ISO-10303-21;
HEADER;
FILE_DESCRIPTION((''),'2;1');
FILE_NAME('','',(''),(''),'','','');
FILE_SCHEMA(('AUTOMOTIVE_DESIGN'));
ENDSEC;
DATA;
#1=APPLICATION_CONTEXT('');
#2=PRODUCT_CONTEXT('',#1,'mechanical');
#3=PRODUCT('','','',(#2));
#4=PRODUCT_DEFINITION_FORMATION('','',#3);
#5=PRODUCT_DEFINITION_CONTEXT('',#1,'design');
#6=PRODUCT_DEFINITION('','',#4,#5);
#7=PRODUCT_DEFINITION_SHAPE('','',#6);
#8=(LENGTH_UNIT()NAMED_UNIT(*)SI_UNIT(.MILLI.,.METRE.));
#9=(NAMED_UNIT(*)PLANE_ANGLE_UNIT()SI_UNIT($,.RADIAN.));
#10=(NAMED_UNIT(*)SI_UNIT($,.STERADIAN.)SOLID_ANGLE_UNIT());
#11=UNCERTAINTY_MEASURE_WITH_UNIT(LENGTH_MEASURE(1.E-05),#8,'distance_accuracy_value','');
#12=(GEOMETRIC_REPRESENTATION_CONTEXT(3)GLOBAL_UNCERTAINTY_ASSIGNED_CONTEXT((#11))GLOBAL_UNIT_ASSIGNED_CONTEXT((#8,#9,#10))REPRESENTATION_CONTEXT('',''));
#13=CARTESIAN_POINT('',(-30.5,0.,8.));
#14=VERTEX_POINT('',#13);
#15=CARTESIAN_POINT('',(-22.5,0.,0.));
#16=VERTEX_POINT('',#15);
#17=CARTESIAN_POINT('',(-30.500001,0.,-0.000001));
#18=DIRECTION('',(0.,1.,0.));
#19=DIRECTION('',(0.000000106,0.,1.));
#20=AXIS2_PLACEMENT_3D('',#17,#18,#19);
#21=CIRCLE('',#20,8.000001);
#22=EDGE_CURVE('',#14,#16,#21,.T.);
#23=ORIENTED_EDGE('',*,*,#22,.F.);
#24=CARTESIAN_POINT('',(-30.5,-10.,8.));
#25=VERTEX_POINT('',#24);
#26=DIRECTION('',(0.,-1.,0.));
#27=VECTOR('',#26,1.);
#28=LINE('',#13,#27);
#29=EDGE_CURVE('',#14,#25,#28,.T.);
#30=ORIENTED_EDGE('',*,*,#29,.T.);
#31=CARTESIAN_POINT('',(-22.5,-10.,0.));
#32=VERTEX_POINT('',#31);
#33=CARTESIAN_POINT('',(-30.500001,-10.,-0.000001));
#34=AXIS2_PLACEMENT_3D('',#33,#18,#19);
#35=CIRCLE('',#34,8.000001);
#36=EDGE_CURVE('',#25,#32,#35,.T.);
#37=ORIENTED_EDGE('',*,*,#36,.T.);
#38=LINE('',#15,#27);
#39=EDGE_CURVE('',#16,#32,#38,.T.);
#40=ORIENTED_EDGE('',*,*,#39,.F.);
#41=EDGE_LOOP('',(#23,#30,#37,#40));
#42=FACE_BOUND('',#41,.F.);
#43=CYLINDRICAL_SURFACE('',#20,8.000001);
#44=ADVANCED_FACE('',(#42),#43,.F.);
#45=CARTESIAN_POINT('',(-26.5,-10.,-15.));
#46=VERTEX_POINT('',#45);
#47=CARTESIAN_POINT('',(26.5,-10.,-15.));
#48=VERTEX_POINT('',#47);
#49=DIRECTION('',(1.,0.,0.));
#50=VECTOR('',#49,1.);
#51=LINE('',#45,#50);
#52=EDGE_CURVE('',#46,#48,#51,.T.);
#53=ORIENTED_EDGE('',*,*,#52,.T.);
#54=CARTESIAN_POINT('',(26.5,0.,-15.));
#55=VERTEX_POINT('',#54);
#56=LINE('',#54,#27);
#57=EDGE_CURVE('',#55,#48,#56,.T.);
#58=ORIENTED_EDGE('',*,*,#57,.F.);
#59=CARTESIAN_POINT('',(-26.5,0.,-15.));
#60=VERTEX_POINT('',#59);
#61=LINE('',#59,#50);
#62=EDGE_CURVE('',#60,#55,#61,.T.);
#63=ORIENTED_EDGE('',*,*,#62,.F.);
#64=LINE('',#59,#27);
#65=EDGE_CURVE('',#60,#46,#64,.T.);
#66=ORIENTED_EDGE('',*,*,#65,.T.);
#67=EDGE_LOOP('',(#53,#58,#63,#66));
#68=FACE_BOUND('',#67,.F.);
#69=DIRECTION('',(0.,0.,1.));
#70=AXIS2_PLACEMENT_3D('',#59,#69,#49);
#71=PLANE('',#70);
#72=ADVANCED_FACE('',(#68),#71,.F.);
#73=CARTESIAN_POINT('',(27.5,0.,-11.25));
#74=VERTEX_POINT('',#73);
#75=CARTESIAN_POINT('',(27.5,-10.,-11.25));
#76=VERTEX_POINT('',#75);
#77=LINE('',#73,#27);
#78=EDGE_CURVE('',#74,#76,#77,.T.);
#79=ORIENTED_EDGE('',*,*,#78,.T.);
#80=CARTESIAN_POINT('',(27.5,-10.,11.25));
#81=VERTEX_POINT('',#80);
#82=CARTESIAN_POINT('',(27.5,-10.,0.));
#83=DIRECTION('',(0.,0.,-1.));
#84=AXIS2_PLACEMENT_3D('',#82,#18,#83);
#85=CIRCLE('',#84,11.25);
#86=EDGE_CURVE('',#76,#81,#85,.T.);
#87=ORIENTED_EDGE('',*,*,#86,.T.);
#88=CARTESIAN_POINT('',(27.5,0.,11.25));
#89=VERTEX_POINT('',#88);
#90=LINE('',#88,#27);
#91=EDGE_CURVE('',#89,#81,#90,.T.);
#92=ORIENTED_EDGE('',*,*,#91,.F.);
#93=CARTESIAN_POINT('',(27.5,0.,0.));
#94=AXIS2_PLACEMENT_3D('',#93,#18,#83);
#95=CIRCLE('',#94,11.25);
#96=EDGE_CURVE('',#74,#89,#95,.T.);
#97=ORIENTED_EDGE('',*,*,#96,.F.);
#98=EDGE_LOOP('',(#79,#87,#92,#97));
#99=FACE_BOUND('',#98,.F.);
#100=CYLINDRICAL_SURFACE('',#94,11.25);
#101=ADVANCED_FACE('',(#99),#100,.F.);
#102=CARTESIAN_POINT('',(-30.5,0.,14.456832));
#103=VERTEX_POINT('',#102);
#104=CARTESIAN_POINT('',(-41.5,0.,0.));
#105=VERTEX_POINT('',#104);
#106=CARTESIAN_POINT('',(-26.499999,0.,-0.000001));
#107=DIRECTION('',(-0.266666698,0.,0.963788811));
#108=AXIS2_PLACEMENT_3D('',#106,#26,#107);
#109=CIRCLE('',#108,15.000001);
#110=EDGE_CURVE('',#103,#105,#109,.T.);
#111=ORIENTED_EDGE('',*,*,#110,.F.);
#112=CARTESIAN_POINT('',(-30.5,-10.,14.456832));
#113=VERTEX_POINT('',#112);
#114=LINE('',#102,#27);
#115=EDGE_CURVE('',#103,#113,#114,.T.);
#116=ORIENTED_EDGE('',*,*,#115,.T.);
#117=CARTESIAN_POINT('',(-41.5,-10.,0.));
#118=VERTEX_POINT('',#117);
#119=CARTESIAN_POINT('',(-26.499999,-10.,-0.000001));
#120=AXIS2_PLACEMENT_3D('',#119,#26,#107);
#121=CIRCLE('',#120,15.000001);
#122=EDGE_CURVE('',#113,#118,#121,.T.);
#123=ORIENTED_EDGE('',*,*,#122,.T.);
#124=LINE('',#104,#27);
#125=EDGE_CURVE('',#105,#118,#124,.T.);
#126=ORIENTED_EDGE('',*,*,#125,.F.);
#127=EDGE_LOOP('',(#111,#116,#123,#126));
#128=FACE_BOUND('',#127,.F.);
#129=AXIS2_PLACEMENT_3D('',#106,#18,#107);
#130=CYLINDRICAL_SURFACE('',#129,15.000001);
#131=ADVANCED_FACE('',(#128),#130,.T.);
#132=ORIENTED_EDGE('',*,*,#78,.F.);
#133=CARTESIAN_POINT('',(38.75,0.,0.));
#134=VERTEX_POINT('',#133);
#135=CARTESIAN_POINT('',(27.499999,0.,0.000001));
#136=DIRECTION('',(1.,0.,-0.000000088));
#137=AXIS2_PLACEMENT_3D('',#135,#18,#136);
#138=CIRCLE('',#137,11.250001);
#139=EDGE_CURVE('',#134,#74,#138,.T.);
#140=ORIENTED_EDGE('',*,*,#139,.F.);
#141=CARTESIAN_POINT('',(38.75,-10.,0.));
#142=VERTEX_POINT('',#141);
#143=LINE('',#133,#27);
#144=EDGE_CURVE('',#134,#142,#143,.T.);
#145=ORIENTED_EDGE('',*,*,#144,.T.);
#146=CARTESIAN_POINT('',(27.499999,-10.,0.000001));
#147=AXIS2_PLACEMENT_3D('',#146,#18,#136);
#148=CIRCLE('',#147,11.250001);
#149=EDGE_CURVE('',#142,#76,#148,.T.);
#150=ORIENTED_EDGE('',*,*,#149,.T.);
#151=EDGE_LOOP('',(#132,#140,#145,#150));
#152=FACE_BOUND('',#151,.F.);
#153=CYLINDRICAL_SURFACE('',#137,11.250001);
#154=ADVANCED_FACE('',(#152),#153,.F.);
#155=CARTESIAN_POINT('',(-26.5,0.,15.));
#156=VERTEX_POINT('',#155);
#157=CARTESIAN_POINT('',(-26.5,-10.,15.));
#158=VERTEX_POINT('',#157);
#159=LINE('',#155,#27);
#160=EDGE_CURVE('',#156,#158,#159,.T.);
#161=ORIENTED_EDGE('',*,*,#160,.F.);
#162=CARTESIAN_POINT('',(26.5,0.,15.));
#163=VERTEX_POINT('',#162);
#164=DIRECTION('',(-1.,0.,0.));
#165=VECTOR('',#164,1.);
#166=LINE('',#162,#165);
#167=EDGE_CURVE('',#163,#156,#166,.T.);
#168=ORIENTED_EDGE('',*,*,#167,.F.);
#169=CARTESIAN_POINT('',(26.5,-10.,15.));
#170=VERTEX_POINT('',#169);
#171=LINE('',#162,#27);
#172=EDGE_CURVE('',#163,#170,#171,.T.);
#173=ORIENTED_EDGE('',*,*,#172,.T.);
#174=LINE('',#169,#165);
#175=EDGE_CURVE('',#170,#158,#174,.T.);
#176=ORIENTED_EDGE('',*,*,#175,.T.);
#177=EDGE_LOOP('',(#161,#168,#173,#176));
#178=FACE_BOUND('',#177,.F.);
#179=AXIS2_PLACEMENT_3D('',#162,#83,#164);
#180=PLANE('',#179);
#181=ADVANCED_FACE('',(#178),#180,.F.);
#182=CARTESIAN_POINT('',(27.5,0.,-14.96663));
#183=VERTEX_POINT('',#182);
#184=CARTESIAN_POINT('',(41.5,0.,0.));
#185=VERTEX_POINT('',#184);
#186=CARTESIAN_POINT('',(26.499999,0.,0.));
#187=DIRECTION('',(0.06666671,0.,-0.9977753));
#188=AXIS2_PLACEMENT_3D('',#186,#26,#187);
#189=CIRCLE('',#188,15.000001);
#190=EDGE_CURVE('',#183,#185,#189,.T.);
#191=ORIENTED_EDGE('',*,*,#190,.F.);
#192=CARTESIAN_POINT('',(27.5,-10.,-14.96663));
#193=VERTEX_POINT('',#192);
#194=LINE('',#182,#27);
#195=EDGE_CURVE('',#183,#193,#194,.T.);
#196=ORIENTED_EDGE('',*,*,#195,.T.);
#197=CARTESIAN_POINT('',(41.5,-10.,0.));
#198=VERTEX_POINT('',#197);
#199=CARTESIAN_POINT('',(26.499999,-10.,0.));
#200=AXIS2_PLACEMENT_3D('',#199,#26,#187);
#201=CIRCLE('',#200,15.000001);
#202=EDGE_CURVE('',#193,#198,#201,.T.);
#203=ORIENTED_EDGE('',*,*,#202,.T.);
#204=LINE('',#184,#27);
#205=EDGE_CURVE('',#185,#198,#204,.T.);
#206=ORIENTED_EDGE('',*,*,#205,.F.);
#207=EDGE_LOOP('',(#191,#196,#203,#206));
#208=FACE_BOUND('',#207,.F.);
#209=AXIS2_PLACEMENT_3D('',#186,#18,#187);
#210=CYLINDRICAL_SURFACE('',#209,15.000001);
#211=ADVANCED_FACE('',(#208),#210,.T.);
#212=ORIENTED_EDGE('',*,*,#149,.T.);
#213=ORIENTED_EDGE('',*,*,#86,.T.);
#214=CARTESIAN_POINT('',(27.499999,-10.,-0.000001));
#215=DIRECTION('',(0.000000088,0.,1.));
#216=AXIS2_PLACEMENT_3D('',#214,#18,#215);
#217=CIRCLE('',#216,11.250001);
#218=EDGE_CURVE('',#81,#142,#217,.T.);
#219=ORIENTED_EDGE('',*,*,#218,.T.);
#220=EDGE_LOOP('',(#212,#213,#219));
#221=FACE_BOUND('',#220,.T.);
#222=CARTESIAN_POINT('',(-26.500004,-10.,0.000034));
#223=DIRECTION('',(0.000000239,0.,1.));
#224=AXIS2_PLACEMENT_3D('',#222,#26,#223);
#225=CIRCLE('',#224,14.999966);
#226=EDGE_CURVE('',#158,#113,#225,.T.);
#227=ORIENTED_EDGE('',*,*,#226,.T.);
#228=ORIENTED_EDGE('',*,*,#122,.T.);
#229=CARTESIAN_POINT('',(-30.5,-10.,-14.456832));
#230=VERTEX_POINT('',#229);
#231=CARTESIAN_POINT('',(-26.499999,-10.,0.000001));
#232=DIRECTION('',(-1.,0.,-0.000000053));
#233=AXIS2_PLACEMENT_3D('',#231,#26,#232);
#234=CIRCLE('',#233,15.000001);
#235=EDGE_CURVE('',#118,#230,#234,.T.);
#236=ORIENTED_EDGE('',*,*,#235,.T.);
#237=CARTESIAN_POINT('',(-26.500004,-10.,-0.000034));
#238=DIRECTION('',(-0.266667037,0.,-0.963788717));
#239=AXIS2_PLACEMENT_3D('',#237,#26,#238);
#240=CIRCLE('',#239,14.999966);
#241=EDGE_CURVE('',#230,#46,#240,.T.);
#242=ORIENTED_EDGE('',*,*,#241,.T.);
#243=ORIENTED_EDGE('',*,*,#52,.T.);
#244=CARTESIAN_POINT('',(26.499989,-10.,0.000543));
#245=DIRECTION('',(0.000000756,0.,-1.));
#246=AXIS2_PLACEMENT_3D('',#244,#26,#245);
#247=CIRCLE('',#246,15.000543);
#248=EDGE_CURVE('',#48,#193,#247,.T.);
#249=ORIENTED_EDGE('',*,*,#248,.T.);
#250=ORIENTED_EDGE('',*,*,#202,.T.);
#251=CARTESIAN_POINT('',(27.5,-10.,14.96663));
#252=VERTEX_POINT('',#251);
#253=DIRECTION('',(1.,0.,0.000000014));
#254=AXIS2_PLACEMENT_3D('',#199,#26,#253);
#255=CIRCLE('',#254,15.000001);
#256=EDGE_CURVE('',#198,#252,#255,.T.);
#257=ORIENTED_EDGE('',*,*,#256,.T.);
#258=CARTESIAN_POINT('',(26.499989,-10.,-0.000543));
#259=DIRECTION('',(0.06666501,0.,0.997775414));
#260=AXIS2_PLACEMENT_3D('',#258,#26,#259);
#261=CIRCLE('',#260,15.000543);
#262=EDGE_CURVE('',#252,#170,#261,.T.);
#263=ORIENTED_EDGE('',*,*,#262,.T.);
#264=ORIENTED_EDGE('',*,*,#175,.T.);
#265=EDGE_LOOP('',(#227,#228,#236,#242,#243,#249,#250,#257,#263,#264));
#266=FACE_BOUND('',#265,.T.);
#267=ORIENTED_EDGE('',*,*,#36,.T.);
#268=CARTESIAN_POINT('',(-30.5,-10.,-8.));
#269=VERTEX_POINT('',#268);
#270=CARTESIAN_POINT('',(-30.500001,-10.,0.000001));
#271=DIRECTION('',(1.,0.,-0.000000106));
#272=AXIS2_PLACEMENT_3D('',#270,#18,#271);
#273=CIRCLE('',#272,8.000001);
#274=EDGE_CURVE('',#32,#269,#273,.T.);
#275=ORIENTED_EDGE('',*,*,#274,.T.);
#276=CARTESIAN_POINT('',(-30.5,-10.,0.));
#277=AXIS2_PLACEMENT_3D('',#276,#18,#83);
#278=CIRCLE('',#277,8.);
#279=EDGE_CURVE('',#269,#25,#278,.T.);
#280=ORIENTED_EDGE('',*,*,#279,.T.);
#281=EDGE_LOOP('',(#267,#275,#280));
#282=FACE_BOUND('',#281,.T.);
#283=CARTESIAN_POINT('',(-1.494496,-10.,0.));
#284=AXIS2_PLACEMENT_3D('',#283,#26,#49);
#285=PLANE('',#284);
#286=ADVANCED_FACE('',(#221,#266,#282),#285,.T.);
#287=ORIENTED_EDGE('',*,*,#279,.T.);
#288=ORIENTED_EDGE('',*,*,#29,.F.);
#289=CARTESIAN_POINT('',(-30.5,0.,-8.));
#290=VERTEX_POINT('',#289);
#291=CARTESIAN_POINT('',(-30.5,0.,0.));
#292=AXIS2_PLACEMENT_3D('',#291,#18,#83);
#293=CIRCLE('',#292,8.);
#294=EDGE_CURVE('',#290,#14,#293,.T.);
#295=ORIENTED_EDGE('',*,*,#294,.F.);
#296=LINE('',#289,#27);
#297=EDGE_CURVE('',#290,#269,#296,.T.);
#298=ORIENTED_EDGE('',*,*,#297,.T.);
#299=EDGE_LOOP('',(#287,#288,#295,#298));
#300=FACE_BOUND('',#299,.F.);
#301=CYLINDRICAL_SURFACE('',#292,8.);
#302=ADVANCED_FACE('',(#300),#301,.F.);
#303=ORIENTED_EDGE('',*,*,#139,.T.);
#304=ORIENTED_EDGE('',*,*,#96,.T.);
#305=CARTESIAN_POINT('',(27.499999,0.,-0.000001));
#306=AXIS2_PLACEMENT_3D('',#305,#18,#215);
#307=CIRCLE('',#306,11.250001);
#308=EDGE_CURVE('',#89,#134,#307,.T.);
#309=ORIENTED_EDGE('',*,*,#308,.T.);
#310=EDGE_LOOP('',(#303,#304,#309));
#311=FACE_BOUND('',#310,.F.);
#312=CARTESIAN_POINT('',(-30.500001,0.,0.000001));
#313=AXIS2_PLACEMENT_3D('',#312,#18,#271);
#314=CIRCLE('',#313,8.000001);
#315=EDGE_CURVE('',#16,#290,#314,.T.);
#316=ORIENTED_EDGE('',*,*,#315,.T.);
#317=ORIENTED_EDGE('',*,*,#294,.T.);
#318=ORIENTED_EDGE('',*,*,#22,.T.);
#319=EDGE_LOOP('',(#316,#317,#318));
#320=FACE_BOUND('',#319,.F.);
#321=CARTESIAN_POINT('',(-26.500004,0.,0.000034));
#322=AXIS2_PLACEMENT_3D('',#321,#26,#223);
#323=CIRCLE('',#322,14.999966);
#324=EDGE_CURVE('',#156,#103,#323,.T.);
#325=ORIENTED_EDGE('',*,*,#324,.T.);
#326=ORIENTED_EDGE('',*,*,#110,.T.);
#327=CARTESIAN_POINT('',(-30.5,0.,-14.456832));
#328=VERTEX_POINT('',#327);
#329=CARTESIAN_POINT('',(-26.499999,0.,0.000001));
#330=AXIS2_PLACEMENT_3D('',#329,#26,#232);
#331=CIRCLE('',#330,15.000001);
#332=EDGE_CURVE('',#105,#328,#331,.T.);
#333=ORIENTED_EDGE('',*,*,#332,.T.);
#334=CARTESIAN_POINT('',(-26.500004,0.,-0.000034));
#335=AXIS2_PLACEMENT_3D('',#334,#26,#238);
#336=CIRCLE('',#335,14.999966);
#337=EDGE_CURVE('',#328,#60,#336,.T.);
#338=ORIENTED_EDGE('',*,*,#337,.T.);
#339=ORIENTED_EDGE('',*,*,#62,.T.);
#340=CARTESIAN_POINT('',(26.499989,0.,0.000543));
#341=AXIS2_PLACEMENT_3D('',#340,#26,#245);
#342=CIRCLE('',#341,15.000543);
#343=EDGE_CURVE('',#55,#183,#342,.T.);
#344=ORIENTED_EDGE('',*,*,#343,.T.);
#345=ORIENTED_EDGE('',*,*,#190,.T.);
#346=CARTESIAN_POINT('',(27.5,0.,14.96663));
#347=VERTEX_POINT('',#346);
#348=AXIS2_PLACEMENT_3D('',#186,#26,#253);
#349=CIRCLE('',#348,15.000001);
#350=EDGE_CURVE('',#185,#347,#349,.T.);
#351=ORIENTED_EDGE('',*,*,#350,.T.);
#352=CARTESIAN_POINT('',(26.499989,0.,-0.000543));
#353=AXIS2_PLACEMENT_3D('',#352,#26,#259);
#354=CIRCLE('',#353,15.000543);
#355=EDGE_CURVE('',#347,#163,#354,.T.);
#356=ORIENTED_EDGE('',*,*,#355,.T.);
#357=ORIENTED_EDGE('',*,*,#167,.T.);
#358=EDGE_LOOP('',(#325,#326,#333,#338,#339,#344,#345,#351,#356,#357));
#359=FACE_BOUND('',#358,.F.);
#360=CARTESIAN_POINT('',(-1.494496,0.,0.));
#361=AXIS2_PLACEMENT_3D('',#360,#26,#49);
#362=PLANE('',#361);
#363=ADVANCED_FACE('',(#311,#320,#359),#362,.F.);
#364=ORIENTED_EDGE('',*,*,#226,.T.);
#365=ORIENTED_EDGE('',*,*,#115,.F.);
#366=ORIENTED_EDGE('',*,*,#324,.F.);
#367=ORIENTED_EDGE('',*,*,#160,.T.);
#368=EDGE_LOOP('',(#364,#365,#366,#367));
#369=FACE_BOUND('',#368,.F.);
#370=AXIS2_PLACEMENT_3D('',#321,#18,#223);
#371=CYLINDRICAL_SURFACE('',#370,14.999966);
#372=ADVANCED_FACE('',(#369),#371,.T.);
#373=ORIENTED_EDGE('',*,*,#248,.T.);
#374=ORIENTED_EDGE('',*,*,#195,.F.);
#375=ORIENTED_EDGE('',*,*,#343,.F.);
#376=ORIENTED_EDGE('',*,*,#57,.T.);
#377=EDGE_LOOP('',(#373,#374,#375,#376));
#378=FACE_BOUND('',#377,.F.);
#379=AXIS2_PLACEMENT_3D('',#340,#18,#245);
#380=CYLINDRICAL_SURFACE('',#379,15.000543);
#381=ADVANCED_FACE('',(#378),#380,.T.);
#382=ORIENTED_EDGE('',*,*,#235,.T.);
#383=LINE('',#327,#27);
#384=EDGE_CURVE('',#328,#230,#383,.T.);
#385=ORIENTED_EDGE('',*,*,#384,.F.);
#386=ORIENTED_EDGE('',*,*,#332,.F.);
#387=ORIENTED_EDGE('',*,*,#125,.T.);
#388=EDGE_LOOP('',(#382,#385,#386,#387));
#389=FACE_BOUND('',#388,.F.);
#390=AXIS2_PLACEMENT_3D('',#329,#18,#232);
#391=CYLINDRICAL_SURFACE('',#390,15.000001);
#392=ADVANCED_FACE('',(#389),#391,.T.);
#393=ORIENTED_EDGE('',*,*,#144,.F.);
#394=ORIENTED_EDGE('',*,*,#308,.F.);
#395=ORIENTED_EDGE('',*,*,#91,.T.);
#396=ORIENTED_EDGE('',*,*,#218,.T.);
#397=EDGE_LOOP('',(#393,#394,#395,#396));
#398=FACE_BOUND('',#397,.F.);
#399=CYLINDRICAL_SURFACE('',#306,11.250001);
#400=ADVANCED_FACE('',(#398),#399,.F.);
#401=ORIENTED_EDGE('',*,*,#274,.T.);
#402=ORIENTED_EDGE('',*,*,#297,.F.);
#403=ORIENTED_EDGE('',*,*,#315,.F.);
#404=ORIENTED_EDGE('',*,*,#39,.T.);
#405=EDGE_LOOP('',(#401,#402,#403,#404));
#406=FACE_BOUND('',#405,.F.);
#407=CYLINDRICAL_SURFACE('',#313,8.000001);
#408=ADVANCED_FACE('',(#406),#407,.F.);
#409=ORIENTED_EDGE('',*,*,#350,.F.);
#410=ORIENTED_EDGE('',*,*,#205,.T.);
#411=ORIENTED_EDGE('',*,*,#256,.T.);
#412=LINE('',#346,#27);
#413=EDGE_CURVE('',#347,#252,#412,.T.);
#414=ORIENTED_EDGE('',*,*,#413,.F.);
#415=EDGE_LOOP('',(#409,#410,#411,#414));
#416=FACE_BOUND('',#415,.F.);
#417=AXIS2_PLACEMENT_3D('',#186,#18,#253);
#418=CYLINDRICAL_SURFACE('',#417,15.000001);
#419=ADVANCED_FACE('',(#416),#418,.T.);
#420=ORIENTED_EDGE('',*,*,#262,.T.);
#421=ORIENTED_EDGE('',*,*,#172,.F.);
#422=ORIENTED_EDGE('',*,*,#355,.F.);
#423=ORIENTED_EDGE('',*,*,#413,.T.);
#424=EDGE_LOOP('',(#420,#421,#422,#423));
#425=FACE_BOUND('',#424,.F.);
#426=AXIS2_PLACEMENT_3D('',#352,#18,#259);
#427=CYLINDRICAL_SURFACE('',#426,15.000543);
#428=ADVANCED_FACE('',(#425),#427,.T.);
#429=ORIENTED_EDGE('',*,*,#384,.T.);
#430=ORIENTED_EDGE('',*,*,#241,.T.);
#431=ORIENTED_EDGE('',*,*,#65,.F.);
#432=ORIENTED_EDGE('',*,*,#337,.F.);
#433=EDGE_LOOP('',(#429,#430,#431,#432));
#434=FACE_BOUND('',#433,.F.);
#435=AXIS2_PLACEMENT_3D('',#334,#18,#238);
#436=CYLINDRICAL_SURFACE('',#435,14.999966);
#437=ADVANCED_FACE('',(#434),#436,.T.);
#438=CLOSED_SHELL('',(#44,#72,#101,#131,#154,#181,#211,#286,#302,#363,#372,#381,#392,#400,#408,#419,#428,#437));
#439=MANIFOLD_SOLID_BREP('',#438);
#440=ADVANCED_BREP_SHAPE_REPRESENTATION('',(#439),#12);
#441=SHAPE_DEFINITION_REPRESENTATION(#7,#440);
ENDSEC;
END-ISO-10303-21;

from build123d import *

# Parameters (mm, degrees)
F1_DEPTH = 10


with BuildPart() as f1:
    # F0 (on Front) → F1 (new body)
    with BuildSketch(Plane.XZ):
        with BuildLine():
            Line((-26.5, -15), (26.5, -15))
            ThreePointArc((26.5, -15), (27.000278, -14.991655), (27.5, -14.96663))
            Line((27.5, -14.96663), (27.5, -11.25))
            ThreePointArc((27.5, -11.25), (16.25, 0), (27.5, 11.25))
            Line((27.5, 11.25), (27.5, 14.96663))
            ThreePointArc((27.5, 14.96663), (27.000278, 14.991655), (26.5, 15))
            Line((26.5, 15), (-26.5, 15))
            ThreePointArc((-26.5, 15), (-28.518355, 14.863588), (-30.5, 14.456832))
            Line((-30.5, 14.456832), (-30.5, 8))
            ThreePointArc((-30.5, 8), (-24.843146, 5.656854), (-22.5, 0))
            ThreePointArc((-22.5, 0), (-24.843146, -5.656854), (-30.5, -8))
            Line((-30.5, -8), (-30.5, -14.456832))
            ThreePointArc((-30.5, -14.456832), (-28.518355, -14.863588), (-26.5, -15))
        make_face()
        with BuildLine():
            Line((27.5, -11.25), (27.5, -14.96663))
            ThreePointArc((27.5, -14.96663), (37.454451, -10.246951), (41.5, 0))
            ThreePointArc((41.5, 0), (37.454451, 10.246951), (27.5, 14.96663))
            Line((27.5, 14.96663), (27.5, 11.25))
            ThreePointArc((27.5, 11.25), (35.454951, 7.954951), (38.75, 0))
            ThreePointArc((38.75, 0), (35.454951, -7.954951), (27.5, -11.25))
        make_face()
        with BuildLine():
            ThreePointArc((-41.5, 0), (-38.437336, -9.082951), (-30.5, -14.456832))
            Line((-30.5, -14.456832), (-30.5, -8))
            ThreePointArc((-30.5, -8), (-38.5, 0), (-30.5, 8))
            Line((-30.5, 8), (-30.5, 14.456832))
            ThreePointArc((-30.5, 14.456832), (-38.437336, 9.082951), (-41.5, 0))
        make_face()
    extrude(amount=F1_DEPTH)


solid = f1.part
